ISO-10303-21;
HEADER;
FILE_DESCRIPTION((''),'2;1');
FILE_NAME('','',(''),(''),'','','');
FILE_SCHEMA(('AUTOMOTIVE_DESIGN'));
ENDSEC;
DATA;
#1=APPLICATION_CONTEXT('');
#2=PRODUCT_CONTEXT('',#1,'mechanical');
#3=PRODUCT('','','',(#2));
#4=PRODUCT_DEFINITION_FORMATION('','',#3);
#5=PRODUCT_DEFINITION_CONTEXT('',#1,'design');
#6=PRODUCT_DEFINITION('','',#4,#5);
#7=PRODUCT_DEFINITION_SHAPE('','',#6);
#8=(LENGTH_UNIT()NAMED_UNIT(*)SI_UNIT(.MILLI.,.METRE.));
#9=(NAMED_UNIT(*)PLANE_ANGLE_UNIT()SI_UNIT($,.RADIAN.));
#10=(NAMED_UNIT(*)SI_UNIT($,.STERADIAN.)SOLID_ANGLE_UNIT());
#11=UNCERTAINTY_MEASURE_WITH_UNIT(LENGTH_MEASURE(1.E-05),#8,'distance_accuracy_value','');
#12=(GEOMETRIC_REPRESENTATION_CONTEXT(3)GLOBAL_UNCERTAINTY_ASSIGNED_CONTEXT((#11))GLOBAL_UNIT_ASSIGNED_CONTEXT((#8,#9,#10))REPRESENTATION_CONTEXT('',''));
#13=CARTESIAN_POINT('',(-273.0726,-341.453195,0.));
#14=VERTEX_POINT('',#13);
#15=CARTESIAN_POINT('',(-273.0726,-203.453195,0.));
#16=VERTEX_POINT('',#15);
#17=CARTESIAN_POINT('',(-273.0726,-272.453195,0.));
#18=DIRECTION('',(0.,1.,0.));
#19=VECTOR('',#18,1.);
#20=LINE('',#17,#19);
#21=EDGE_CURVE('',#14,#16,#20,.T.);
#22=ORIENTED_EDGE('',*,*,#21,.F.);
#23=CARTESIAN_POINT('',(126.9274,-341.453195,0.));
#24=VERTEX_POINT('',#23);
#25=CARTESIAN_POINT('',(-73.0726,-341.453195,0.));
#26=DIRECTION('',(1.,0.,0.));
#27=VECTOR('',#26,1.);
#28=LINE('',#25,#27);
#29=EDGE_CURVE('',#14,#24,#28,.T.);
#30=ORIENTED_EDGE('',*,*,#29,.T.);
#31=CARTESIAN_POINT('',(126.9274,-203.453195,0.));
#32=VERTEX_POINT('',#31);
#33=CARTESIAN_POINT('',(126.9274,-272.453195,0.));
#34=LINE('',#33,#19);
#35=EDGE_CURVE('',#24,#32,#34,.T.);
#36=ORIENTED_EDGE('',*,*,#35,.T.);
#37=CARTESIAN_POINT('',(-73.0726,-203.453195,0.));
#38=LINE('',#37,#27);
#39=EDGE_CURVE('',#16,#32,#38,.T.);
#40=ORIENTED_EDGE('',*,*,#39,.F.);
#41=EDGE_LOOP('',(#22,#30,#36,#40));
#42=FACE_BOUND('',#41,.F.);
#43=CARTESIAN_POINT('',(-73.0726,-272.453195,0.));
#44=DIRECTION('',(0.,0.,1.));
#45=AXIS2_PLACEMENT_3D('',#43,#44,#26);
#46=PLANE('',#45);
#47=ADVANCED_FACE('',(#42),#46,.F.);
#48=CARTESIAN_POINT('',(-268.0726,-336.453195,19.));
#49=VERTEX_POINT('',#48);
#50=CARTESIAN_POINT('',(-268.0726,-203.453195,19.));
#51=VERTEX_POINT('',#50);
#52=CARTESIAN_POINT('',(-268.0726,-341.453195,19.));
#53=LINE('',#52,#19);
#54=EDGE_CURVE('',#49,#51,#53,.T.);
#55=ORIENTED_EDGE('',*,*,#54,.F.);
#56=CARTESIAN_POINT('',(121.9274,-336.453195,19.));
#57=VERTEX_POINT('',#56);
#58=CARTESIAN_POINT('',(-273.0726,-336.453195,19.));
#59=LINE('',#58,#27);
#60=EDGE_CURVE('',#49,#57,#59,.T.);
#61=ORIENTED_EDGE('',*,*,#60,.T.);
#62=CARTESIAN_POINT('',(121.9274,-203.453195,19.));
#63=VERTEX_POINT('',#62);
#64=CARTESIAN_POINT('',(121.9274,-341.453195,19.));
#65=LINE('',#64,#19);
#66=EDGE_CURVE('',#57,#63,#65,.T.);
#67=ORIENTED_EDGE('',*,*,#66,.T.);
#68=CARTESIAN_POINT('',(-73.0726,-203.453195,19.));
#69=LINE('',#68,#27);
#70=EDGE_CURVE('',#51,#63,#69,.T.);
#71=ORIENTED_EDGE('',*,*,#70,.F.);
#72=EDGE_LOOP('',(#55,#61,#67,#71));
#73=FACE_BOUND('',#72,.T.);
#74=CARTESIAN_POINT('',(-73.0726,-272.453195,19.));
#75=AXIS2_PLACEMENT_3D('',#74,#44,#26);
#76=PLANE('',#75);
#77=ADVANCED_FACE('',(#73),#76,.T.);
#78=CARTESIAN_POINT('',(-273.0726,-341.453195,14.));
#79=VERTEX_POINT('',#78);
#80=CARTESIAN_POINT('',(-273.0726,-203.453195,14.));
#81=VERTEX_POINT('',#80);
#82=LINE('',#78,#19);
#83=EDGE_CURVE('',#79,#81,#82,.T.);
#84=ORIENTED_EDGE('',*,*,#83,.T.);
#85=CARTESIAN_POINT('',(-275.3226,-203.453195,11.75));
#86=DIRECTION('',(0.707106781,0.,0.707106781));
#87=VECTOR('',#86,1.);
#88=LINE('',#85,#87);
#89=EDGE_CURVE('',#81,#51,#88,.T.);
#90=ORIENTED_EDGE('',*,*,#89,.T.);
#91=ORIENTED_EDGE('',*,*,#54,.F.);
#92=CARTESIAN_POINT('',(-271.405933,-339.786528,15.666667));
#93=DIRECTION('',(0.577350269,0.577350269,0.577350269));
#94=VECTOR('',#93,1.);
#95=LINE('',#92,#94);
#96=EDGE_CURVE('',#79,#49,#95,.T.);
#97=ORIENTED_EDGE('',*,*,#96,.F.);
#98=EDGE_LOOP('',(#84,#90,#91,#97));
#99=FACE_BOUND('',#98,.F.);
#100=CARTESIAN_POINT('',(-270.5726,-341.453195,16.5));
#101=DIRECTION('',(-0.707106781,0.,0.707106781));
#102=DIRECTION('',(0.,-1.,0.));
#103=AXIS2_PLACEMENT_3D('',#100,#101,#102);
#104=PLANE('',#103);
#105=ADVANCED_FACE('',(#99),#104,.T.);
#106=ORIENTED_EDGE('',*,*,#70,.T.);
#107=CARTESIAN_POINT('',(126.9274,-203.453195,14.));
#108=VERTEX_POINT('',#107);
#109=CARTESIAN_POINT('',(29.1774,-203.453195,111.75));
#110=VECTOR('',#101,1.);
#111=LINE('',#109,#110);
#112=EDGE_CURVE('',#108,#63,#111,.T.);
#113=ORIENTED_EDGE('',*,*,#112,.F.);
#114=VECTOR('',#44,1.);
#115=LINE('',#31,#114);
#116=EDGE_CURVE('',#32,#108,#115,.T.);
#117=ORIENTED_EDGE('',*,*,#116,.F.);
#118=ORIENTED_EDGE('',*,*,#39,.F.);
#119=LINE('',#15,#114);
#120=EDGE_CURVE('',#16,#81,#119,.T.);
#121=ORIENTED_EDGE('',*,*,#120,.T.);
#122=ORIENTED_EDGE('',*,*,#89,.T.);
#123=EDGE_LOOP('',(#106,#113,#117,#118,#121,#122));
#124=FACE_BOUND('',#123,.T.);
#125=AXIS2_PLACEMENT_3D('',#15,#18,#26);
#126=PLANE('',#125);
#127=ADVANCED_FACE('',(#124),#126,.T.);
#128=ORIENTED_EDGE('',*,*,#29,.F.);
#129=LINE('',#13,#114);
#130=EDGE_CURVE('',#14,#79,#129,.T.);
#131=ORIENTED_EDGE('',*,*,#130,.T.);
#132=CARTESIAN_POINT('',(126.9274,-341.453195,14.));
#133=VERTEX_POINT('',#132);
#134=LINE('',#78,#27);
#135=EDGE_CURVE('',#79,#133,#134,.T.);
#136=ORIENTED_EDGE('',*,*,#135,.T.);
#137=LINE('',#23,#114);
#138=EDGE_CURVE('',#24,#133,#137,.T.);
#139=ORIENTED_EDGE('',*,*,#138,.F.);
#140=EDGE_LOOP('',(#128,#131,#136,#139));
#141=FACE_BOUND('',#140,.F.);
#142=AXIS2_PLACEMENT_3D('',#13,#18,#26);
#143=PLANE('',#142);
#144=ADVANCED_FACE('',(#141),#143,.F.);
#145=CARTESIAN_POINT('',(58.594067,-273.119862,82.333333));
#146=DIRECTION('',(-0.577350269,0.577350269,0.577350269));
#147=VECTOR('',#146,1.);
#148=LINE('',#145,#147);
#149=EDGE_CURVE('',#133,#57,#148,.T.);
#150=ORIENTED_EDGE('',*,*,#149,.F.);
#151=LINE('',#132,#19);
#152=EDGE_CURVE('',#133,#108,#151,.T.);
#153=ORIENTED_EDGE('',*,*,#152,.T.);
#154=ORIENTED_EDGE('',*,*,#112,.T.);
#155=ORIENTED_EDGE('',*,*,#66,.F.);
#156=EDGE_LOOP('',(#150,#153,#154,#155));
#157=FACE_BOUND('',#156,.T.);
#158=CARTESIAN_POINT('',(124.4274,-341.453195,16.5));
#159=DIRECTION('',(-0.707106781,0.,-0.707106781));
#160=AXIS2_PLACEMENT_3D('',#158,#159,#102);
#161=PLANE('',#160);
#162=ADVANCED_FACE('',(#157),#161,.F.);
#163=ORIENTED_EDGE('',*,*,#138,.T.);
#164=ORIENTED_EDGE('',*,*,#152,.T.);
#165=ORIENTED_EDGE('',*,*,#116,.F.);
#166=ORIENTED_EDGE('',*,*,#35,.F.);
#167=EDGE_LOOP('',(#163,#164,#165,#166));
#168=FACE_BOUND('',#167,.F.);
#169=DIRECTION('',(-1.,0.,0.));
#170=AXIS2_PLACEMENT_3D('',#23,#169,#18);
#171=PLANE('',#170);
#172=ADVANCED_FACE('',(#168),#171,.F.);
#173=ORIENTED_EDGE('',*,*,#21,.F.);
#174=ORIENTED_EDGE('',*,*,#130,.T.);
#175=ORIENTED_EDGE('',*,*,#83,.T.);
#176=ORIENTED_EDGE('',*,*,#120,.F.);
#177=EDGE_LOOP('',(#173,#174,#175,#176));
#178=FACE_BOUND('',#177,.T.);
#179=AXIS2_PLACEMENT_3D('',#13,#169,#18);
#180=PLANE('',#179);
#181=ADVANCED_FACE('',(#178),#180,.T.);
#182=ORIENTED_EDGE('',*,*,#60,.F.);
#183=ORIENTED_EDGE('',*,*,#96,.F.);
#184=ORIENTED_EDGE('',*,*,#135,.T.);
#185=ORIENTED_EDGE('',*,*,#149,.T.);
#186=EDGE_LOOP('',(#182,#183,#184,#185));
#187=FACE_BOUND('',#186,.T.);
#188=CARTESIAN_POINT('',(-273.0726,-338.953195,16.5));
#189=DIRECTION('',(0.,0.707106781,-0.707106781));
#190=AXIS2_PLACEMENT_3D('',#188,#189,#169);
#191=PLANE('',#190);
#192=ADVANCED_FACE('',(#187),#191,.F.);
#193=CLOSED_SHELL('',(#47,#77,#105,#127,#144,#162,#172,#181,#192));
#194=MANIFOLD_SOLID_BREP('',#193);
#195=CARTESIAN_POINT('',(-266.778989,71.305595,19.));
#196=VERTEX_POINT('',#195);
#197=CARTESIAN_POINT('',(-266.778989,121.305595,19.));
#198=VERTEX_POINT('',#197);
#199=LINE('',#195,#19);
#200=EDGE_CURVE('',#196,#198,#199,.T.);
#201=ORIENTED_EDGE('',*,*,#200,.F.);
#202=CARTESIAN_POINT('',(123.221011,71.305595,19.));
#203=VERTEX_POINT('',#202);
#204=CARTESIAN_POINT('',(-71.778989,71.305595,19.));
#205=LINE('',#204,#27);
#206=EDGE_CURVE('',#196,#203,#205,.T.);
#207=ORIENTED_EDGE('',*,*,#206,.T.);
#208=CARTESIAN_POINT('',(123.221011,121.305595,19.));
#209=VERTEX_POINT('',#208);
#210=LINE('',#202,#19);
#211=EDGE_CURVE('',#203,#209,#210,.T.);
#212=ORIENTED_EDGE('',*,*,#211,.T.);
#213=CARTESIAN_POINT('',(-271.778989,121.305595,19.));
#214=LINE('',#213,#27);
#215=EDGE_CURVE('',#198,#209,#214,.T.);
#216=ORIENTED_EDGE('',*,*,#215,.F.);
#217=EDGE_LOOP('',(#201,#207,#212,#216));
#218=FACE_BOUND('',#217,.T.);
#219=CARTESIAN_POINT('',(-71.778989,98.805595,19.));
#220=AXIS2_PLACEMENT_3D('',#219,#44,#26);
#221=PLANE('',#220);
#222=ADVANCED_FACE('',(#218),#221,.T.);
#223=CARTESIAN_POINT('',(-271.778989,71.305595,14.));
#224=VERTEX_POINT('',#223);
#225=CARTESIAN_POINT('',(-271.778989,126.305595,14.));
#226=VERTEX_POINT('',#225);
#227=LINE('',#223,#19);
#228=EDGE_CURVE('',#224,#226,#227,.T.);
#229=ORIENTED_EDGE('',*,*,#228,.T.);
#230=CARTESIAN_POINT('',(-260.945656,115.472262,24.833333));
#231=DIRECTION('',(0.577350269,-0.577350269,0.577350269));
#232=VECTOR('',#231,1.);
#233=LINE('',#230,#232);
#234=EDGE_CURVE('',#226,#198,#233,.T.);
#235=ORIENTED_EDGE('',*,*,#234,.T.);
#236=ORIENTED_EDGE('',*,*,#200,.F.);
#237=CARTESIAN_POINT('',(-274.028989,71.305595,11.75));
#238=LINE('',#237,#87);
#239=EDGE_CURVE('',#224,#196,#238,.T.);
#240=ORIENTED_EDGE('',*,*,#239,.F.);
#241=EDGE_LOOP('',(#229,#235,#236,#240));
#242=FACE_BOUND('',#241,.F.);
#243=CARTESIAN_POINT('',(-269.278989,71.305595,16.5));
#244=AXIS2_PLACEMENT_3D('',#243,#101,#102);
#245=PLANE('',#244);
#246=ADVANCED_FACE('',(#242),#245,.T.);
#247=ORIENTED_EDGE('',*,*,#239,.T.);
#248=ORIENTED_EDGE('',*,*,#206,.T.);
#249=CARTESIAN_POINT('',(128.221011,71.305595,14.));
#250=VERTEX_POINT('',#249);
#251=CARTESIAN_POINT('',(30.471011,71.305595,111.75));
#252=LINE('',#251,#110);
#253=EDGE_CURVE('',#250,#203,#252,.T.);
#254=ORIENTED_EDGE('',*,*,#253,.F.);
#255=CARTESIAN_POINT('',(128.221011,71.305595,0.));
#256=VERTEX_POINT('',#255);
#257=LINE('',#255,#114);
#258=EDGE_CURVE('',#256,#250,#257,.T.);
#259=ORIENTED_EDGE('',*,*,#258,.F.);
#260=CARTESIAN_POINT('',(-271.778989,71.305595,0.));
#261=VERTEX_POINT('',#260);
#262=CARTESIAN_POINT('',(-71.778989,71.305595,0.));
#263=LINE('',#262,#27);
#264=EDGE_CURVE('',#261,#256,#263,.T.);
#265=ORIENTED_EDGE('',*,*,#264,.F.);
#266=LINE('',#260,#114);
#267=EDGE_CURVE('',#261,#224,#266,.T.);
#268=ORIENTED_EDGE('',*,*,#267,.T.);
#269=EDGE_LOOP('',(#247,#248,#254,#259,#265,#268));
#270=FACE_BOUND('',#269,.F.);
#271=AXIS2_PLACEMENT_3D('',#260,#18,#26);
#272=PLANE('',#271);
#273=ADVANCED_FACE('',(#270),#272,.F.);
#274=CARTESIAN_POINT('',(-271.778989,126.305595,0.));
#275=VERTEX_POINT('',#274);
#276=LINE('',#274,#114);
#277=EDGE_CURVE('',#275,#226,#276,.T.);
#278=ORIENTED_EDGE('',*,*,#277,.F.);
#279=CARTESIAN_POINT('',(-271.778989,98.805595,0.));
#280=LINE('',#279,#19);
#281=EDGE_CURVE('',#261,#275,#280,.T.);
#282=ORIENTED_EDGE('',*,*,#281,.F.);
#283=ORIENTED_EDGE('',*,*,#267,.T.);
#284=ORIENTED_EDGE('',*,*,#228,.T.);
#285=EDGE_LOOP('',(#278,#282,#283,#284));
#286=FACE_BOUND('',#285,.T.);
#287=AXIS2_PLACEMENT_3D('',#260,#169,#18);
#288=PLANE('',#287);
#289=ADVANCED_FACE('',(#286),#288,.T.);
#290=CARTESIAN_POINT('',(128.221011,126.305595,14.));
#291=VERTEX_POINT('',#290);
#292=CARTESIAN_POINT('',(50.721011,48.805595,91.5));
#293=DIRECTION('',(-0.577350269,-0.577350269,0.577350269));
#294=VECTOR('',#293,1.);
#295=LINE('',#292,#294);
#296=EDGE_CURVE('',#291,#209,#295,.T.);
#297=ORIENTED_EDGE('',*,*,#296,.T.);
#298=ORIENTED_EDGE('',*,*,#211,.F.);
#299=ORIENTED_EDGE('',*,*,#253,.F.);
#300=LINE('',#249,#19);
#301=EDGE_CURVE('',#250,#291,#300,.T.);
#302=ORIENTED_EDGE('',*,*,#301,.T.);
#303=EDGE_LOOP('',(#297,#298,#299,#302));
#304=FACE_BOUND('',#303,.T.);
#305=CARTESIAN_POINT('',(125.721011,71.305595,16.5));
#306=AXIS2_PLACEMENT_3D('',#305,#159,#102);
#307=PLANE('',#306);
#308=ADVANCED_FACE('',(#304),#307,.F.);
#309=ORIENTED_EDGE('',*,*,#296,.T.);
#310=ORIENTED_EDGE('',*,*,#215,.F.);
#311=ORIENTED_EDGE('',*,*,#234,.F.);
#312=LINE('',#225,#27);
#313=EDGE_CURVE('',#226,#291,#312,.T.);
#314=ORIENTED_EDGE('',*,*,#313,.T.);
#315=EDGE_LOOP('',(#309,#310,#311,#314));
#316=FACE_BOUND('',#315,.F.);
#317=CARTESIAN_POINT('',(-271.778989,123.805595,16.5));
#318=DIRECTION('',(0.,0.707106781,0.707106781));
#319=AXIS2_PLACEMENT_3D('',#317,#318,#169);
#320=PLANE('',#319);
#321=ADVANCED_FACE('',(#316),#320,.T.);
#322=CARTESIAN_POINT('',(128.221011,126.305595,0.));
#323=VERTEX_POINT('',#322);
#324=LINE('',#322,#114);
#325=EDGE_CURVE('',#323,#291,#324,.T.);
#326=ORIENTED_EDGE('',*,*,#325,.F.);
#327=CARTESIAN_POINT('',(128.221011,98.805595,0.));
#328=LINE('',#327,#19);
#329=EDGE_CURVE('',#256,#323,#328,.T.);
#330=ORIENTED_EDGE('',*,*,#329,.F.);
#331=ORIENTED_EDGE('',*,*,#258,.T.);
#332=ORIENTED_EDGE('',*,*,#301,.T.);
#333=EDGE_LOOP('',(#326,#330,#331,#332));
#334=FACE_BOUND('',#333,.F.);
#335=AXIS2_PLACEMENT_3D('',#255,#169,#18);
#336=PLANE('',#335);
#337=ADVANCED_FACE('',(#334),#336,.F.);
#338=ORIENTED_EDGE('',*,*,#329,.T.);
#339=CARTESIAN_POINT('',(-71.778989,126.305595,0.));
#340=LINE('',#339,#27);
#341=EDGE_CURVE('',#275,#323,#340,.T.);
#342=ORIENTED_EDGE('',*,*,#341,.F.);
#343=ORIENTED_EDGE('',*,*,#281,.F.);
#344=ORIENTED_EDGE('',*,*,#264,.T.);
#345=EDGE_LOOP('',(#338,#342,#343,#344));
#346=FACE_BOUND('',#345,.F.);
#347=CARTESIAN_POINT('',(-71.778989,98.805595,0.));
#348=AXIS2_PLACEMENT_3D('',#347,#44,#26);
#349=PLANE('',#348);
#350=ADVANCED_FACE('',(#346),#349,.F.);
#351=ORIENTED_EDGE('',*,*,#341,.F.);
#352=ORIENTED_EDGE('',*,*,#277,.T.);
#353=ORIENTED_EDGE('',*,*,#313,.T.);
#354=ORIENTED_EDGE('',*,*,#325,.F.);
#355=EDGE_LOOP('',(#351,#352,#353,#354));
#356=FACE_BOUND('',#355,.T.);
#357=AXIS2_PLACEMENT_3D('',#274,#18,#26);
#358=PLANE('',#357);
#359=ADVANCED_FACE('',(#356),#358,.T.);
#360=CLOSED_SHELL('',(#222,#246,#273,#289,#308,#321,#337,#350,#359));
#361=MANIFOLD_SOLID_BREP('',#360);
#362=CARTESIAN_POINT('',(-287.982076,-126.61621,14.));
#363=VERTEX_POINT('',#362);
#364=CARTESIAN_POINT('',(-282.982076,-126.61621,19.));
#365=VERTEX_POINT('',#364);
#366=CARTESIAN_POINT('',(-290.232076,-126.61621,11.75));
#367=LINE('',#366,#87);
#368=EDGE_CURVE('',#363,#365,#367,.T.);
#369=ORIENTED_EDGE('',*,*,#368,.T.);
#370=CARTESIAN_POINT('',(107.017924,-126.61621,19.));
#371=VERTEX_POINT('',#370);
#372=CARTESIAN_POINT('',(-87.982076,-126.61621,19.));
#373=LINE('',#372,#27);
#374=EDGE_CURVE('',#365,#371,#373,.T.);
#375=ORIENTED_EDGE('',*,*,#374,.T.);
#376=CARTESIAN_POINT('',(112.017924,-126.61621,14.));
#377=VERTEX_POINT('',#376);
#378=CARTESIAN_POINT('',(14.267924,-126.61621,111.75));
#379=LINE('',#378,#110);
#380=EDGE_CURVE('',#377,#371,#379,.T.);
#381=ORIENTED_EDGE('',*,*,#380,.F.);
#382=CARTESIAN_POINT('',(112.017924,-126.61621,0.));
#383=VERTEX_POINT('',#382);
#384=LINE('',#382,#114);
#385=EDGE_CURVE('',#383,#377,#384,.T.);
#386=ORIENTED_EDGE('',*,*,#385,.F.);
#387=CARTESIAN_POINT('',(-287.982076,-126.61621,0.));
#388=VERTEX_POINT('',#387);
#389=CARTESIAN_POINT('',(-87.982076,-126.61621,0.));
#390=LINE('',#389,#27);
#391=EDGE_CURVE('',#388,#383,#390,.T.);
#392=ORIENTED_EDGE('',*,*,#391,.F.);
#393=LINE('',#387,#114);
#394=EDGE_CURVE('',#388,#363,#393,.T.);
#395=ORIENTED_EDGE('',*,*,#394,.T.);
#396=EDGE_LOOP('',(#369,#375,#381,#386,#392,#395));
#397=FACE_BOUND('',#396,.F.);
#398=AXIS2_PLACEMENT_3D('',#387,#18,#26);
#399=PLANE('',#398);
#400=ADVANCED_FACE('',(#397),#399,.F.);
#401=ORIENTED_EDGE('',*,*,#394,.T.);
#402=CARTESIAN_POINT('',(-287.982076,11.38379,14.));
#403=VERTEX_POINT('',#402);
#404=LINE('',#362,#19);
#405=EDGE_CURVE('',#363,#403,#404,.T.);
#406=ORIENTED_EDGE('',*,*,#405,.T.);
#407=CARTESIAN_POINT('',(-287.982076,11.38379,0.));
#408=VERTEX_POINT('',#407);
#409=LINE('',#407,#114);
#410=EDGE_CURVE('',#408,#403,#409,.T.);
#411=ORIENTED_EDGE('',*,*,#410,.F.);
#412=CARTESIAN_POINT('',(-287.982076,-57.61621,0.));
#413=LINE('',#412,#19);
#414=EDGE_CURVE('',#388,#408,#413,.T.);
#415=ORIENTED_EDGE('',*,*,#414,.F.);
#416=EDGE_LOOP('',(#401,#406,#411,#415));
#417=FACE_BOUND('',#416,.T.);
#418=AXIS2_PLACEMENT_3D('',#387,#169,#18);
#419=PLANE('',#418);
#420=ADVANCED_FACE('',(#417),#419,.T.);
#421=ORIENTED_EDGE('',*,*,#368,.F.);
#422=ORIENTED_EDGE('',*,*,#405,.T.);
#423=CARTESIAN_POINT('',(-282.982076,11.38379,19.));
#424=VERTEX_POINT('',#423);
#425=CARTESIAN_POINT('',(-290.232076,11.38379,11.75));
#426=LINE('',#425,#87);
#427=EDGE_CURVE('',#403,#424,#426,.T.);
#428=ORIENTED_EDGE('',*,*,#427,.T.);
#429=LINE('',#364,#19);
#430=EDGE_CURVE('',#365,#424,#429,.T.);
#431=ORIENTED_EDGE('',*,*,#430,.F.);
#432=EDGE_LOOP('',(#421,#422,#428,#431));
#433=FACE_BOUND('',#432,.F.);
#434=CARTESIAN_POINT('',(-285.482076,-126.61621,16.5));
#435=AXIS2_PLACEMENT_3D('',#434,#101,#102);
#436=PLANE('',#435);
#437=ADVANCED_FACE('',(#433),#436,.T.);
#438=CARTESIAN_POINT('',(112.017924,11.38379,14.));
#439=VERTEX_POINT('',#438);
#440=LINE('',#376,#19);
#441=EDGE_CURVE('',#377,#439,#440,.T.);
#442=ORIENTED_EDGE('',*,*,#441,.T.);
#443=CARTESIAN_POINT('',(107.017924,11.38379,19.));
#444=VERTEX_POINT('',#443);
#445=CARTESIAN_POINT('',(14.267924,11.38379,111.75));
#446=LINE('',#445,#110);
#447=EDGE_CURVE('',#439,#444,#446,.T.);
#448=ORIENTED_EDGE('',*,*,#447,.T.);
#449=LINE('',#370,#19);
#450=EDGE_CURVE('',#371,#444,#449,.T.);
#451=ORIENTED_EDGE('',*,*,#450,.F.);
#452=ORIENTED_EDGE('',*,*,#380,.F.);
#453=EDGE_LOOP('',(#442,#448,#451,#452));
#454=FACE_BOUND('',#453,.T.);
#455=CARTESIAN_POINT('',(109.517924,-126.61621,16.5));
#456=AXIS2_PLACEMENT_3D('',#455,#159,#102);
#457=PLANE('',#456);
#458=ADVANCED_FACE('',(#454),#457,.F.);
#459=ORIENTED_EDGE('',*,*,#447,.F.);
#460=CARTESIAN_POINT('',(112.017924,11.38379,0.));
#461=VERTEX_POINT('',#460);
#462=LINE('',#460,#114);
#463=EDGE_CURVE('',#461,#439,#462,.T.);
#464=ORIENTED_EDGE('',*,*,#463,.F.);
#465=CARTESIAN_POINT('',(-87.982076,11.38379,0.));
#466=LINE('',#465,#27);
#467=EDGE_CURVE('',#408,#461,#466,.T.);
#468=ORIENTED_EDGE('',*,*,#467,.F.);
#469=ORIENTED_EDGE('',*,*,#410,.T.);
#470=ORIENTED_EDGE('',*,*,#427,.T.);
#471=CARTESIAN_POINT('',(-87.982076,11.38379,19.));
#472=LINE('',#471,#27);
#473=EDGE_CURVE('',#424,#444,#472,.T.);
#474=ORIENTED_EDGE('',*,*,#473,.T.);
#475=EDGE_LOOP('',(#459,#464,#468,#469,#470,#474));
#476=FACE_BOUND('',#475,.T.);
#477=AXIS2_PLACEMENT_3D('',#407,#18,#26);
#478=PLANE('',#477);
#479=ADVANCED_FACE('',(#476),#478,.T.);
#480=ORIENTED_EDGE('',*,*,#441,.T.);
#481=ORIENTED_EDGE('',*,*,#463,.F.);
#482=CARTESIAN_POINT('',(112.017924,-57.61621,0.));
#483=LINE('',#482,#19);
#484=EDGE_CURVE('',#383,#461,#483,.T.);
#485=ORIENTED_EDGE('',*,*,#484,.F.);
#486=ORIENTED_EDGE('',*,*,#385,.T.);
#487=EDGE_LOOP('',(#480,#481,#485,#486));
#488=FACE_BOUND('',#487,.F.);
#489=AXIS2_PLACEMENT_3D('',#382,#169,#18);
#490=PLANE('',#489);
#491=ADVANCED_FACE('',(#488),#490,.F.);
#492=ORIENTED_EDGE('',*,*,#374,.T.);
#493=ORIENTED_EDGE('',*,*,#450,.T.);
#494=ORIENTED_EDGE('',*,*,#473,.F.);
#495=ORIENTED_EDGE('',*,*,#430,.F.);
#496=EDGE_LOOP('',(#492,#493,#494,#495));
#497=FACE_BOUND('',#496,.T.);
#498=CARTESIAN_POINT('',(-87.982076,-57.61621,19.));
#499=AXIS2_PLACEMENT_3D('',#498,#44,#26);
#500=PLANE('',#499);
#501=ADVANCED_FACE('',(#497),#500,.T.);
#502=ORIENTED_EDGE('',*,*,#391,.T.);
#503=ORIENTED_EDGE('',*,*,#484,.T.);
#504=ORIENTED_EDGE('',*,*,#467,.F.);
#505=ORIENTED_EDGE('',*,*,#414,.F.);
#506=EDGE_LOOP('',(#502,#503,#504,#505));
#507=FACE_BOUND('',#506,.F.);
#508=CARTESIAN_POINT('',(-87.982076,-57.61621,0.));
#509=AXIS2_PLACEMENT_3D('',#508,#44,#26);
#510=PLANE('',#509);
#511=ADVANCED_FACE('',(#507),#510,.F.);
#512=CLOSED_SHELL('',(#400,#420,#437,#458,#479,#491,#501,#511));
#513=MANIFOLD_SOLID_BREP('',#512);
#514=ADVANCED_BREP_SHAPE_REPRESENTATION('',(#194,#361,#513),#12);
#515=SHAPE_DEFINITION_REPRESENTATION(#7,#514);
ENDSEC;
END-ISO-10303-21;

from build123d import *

# Parameters (mm, degrees)
F0_W     = 400
F0_H     = 55
F0_H_2   = 138
F1_DEPTH = 19
F2_SIZE  = 5


with BuildPart() as f1:
    # F0 (on Top) → F1 (new body)
    with BuildSketch(Plane.XY):
        with Locations((-71.778989, 98.805595)):
            Rectangle(F0_W, F0_H)
        with Locations((-87.982076, -57.61621)):
            Rectangle(F0_W, F0_H_2)
        with Locations((-73.0726, -272.453195)):
            Rectangle(F0_W, F0_H_2)
    extrude(amount=F1_DEPTH)

    # F2
    f2_edges = [f1.edges().sort_by_distance(p)[0] for p in [
        (-273.0726, -272.453195, 19),
        (-73.0726, -341.453195, 19),
        (126.9274, -272.453195, 19),
        (112.017924, -57.61621, 19),
        (-287.982076, -57.61621, 19),
        (-271.778989, 98.805595, 19),
        (-71.778989, 126.305595, 19),
        (128.221011, 98.805595, 19),
    ]]
    chamfer(f2_edges, length=F2_SIZE)


solid = f1.part
